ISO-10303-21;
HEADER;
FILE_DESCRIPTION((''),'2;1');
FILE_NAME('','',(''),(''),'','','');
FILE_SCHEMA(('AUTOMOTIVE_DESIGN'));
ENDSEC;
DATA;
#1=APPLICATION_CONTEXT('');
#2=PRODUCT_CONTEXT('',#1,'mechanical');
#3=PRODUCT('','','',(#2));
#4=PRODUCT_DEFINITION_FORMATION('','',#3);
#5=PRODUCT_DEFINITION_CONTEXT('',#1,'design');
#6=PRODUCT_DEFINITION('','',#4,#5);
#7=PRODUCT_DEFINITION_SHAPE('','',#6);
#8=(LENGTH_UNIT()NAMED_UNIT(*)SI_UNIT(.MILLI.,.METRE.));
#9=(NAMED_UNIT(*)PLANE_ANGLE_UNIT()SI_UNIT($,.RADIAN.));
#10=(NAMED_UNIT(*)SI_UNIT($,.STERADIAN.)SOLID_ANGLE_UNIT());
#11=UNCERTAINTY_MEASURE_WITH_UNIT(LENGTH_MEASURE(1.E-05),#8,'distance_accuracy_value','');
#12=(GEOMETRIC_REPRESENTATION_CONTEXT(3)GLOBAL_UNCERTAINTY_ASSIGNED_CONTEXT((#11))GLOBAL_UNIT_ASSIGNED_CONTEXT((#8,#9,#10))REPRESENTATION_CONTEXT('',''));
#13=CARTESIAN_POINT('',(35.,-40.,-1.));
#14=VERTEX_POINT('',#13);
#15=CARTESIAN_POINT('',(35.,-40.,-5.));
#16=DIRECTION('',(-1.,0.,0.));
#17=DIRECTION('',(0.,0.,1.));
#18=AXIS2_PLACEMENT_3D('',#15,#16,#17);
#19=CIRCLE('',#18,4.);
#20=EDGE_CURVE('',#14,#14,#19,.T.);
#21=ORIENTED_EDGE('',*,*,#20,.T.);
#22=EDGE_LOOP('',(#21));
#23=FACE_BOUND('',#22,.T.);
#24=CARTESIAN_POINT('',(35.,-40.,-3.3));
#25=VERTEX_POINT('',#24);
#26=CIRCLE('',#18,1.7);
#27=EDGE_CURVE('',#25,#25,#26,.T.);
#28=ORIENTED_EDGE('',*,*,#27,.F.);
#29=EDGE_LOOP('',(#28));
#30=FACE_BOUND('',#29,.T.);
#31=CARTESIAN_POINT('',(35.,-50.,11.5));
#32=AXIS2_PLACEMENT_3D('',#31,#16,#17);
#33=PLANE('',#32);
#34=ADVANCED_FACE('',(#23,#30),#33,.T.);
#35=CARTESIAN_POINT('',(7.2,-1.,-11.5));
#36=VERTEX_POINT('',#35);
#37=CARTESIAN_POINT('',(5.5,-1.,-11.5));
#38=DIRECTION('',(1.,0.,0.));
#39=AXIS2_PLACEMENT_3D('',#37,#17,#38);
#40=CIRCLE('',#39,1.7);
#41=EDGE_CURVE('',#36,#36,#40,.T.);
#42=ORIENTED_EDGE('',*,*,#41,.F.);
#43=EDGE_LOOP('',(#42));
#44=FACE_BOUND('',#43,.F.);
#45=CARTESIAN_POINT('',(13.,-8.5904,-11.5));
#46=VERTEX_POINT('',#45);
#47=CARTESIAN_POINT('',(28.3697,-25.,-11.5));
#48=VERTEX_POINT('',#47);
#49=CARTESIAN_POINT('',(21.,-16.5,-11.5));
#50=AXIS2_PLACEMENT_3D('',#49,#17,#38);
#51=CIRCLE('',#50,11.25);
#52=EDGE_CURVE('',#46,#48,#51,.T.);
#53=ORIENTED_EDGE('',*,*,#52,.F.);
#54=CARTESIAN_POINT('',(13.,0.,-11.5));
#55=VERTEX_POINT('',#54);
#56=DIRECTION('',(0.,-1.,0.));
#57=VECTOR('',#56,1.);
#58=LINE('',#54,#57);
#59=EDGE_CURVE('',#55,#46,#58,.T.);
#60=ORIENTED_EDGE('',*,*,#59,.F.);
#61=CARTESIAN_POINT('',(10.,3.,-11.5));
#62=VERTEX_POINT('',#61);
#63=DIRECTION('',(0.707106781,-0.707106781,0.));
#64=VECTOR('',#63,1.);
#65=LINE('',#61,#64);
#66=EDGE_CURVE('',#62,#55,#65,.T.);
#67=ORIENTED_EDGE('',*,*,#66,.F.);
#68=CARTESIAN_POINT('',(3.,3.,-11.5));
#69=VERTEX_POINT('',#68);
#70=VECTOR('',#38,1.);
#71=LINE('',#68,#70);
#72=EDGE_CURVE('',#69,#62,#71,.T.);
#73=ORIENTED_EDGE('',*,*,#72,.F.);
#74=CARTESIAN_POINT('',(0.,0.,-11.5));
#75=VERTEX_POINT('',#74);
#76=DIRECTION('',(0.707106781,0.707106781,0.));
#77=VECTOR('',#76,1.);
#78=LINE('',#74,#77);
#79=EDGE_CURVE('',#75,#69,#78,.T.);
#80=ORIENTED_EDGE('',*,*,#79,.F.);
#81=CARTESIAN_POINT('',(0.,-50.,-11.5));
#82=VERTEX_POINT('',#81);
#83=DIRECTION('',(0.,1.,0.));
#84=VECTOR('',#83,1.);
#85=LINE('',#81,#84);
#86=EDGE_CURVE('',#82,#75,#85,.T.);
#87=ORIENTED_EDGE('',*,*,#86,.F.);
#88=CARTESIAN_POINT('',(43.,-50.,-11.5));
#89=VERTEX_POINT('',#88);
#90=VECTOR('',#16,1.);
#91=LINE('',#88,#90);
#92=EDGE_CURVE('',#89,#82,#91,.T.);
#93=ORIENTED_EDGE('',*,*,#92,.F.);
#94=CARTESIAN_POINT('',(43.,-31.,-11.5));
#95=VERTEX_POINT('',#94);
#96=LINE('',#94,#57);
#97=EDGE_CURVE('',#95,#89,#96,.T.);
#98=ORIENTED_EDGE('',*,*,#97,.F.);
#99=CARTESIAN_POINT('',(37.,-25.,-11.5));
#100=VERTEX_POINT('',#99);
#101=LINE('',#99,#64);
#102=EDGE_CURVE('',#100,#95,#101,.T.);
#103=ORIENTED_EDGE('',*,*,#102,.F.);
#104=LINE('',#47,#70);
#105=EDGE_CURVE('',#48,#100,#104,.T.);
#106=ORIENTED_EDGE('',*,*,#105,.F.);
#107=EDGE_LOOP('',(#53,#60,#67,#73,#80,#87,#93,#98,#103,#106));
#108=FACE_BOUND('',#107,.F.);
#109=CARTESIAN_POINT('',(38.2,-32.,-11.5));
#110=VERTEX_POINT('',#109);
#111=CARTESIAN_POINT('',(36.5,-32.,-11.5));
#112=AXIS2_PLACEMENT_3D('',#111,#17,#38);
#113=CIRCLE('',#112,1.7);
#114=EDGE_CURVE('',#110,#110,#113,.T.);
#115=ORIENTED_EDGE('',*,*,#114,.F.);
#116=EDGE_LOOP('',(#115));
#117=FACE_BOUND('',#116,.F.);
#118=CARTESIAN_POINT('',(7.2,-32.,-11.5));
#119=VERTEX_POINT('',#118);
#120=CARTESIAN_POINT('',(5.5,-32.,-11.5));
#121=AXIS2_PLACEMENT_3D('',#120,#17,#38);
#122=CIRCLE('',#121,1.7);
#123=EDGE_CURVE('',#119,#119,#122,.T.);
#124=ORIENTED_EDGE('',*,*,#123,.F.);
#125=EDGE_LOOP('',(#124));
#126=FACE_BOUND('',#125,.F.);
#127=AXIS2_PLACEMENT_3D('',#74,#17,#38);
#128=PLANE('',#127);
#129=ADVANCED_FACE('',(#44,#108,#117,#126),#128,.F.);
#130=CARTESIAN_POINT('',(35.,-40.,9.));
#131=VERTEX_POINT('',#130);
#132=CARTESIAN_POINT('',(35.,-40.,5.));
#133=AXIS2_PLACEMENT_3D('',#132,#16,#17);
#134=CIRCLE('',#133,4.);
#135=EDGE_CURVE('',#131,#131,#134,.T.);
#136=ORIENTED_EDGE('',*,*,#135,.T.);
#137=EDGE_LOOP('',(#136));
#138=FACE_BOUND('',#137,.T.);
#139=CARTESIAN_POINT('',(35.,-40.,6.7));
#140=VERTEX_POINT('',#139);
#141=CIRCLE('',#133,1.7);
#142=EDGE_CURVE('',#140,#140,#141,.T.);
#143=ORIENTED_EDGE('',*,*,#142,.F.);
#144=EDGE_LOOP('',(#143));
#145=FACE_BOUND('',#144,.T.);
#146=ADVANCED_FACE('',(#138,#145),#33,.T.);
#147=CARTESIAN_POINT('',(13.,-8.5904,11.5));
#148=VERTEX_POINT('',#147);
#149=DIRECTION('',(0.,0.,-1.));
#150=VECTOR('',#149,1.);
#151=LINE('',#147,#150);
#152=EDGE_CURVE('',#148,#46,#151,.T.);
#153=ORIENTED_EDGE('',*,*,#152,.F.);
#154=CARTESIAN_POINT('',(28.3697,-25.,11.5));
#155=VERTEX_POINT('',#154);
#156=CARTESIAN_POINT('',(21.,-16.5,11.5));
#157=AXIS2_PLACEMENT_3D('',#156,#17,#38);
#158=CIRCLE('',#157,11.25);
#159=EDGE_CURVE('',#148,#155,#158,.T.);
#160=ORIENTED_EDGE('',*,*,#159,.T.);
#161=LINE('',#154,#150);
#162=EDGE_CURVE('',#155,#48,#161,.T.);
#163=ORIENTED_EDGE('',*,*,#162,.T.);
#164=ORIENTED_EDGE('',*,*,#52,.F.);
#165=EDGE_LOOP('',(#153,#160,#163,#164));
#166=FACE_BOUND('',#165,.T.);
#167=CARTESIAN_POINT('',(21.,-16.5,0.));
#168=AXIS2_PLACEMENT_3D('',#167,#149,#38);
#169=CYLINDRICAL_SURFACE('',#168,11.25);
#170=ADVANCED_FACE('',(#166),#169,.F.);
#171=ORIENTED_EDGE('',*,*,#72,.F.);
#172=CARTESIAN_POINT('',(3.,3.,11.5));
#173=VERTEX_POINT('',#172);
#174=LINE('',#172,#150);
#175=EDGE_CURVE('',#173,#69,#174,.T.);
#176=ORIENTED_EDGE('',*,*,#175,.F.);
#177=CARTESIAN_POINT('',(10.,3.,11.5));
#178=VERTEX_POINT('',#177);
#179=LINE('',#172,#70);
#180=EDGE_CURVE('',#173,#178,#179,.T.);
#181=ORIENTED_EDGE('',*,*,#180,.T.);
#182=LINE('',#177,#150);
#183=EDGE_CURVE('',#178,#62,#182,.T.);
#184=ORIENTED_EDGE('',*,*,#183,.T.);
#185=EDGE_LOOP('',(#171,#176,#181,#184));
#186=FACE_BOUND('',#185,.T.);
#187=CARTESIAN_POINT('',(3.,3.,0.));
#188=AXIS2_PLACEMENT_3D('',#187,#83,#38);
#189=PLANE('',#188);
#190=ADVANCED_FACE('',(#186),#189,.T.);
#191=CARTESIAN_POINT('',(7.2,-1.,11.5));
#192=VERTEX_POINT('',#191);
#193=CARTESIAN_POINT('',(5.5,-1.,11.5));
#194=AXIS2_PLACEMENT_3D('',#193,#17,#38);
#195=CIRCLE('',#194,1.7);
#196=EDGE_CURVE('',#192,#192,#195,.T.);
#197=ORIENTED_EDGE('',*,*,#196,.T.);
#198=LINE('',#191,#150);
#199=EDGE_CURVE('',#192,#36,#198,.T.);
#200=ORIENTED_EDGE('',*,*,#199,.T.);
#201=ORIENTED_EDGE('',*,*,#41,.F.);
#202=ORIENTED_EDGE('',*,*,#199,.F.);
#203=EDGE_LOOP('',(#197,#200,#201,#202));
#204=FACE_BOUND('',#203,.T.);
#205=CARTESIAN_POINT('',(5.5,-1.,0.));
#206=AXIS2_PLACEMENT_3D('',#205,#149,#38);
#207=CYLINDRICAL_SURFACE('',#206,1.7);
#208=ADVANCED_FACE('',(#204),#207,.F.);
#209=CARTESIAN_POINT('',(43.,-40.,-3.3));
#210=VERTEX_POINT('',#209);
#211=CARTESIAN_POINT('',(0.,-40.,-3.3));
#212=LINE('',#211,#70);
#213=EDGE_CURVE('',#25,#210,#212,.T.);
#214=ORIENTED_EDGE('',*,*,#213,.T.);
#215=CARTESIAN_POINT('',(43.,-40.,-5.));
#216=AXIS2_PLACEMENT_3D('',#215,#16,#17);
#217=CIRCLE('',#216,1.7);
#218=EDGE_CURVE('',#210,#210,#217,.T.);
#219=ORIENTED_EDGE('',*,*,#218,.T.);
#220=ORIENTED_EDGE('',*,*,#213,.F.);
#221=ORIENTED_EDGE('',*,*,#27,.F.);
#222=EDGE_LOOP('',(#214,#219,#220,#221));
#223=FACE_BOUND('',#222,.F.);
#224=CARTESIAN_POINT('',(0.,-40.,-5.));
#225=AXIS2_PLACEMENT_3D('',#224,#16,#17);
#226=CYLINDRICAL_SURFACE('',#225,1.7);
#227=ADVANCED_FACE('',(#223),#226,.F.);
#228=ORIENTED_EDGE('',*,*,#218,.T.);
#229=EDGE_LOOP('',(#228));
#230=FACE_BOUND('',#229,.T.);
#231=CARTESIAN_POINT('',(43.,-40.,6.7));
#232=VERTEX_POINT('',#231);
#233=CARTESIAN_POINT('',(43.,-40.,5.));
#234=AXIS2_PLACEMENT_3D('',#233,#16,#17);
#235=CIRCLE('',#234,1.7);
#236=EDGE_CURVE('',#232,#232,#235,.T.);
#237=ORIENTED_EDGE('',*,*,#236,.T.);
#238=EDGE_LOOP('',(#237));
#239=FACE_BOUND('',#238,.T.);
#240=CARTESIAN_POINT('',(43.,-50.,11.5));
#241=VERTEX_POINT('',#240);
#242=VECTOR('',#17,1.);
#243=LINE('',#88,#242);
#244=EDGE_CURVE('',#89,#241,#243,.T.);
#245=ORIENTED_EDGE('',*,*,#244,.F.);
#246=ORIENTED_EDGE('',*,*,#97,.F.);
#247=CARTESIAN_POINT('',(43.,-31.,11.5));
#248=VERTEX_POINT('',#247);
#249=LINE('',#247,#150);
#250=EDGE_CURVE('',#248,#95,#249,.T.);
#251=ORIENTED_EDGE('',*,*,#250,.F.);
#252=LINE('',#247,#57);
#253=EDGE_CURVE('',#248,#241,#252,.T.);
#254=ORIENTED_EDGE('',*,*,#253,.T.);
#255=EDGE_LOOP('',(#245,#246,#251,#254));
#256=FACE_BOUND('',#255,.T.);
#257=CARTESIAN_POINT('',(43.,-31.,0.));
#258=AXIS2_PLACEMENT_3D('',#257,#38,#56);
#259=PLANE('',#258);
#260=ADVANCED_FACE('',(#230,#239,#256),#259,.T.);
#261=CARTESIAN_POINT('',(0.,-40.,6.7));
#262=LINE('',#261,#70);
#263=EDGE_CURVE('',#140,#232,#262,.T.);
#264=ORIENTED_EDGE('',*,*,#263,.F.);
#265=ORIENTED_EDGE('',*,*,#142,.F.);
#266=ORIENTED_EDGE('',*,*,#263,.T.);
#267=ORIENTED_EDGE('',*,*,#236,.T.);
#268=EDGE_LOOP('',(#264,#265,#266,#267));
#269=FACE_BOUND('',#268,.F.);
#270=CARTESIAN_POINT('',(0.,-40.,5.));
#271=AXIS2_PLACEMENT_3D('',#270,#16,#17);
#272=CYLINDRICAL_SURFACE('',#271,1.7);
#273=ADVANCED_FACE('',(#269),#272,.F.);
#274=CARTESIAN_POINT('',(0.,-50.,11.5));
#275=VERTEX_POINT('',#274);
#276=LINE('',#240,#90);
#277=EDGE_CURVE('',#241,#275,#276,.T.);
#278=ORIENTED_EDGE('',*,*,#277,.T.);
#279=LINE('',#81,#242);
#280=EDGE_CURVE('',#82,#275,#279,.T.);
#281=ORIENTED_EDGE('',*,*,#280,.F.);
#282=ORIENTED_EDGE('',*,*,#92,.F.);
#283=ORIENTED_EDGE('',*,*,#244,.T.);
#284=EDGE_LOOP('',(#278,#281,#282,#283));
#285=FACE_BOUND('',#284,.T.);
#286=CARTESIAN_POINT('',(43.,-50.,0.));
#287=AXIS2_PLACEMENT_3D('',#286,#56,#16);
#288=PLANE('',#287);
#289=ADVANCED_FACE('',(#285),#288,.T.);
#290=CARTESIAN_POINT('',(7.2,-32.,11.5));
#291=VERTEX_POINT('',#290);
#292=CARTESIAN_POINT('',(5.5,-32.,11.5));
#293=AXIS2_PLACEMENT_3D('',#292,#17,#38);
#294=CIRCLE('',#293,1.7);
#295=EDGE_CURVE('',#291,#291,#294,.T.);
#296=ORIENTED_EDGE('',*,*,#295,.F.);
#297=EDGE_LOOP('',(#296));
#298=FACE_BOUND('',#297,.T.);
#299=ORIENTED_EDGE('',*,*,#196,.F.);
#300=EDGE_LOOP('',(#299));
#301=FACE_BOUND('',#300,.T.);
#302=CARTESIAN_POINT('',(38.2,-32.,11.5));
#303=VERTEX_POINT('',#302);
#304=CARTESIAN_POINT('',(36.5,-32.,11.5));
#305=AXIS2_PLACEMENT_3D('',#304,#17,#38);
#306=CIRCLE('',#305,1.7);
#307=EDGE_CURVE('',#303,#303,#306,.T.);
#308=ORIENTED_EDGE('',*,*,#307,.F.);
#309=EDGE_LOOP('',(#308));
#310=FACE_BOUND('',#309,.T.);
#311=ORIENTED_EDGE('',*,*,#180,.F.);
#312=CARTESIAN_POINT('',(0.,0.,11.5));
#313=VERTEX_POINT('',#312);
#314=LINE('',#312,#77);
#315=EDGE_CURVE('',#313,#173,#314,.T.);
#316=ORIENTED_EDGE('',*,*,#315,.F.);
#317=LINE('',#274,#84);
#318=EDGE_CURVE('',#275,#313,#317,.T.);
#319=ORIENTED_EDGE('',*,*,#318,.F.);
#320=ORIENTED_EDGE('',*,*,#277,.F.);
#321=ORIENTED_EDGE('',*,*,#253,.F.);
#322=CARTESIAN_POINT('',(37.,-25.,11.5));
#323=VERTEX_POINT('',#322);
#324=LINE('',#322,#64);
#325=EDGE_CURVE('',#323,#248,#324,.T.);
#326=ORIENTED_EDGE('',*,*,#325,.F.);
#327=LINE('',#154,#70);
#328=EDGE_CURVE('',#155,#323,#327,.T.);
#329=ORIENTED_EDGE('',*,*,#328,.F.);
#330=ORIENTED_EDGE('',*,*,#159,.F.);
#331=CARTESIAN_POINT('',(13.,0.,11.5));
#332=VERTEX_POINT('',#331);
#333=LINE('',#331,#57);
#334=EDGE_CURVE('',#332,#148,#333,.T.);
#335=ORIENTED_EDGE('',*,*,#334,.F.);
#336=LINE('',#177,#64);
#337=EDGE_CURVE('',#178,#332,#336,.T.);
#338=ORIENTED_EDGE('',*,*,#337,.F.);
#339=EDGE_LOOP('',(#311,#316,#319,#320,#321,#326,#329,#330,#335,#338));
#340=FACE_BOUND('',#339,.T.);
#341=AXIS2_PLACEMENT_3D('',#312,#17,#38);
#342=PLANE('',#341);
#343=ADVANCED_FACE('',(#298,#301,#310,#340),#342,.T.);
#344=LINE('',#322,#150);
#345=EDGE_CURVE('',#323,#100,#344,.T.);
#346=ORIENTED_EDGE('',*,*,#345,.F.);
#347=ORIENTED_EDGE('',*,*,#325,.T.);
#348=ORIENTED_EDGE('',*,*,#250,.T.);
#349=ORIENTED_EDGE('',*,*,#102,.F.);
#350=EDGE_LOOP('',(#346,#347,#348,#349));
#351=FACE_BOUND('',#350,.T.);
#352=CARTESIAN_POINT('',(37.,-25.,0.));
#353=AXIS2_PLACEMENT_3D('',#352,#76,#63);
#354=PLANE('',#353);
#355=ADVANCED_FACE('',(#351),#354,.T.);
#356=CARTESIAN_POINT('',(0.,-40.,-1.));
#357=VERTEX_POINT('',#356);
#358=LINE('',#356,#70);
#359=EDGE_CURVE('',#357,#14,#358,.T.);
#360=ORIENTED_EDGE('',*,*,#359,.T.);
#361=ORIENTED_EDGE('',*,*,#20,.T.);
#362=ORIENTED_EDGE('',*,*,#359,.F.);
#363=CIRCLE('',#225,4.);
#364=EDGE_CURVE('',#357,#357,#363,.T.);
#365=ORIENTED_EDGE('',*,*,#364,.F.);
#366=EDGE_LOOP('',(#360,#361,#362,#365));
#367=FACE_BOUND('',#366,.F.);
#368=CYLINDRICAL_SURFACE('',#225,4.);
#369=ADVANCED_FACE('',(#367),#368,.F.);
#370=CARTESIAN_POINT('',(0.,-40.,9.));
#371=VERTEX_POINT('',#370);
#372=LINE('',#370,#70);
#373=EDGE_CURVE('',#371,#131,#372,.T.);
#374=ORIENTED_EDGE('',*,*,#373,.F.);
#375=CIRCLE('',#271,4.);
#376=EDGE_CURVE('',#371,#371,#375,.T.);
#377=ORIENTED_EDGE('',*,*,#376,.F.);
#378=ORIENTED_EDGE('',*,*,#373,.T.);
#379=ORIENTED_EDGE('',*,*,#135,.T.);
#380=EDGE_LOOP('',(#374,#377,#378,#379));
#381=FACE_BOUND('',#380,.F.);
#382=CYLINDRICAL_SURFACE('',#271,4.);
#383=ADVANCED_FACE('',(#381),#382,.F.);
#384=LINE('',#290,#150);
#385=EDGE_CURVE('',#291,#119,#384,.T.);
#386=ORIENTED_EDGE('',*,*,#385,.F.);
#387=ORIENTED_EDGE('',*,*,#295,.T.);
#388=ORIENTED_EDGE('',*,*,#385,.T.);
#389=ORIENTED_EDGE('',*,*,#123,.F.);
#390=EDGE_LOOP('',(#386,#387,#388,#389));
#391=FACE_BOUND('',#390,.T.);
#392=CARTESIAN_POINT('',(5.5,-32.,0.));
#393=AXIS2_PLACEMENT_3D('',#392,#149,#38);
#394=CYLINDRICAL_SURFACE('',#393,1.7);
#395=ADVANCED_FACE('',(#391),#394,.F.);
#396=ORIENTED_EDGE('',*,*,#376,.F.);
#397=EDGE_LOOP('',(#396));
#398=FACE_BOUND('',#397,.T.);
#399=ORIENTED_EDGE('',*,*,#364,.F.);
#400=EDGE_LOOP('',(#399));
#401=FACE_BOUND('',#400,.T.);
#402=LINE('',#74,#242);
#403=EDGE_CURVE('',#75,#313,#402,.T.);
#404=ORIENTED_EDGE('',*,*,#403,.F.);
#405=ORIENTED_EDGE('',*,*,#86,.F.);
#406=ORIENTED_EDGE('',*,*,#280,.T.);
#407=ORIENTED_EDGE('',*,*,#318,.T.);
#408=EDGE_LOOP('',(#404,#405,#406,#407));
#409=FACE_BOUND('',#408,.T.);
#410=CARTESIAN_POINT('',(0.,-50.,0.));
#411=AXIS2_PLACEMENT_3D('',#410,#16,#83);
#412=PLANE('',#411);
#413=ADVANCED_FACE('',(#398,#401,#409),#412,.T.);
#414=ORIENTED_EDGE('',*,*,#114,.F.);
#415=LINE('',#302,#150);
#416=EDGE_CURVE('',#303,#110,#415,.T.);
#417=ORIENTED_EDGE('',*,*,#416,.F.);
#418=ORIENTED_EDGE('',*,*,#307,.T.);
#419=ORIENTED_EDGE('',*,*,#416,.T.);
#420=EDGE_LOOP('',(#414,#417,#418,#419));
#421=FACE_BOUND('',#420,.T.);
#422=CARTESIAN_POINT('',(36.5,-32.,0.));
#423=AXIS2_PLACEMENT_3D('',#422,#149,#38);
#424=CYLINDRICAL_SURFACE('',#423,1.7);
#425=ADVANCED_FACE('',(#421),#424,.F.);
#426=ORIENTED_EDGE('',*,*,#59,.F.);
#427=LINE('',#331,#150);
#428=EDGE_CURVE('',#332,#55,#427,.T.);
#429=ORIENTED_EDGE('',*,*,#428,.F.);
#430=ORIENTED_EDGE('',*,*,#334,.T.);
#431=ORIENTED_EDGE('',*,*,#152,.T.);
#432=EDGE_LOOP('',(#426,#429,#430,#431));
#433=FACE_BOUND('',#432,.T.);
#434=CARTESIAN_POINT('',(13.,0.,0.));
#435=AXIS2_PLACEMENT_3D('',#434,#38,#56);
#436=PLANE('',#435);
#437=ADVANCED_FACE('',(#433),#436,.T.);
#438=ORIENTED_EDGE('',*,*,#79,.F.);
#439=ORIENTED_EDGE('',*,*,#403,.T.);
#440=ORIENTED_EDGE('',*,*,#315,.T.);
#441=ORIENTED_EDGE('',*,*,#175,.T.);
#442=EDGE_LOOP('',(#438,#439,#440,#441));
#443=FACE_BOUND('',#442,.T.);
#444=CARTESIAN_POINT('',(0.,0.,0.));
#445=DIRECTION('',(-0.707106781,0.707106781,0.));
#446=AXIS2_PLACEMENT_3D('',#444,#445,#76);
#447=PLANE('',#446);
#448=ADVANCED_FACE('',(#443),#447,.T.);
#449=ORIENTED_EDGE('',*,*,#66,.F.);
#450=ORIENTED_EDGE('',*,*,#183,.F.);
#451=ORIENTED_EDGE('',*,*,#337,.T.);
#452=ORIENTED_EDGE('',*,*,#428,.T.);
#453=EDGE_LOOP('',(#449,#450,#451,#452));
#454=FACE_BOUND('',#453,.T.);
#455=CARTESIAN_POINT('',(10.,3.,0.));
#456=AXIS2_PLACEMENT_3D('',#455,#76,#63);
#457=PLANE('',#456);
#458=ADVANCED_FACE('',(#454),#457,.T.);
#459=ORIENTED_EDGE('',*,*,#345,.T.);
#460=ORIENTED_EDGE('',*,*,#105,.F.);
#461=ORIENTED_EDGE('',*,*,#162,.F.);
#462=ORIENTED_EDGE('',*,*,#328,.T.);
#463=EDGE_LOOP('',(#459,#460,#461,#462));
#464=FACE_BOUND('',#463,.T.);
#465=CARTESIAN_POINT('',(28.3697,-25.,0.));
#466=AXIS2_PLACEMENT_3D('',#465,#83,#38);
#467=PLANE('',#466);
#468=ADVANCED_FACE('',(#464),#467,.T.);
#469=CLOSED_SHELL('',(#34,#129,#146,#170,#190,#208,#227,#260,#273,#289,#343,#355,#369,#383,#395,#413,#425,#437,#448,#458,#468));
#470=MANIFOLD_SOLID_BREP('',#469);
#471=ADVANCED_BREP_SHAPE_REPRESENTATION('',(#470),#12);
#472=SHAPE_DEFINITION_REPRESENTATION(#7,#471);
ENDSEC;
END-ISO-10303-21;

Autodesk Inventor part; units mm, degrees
ref_plane "YZ Plane" through (0, 0, 0) normal (1, 0, 0) x (0, 1, 0)
ref_plane "XZ Plane" through (0, 0, 0) normal (0, 1, 0) x (-1, 0, 0)
ref_plane "XY Plane" through (0, 0, 0) normal (0, 0, 1) x (1, 0, 0)
sketch "Sketch1" plane through (0, 0, 0) normal (0, 0, 1) x (1, 0, 0)
  line L0 (0, 0) -> (3, 3)
  line L1 (3, 3) -> (10, 3)
  line L2 (10, 3) -> (13, 0)
  line L3 (13, 0) -> (13, -8.5904)
  circle A0 centre (21, -16.5) radius 11.25
  line L4 (28.3697, -25) -> (37, -25)
  line L5 (37, -25) -> (43, -31)
  line L6 (43, -31) -> (43, -50)
  line L7 (43, -50) -> (0, -50)
  line L8 (0, -50) -> (0, 0)
  circle A1 centre (5.5, -1) radius 1.7
  circle A2 centre (5.5, -32) radius 1.7
  circle A3 centre (36.5, -32) radius 1.7
  line L9 (5.5, -32) -> (5.5, -1) construction
  line L10 (5.5, -32) -> (36.5, -32) construction
  dimension "d0" = 16.5
  dimension "d1" = 21
  dimension "d2" = 50
  dimension "d3" = 22.5
  dimension "d4" = 8
  dimension "d5" = 45
  dimension "d6" = 3
  dimension "d7" = 8.5
  dimension "d8" = 6
  dimension "d11" = 22
  dimension "d14" = 3.4
  dimension "d15" = 15.5
  dimension "d16" = 31
  dimension "d17" = 31
  dimension "d18" = 15.5
extrude "Extrusion1" add sketch "Sketch1" along normal mid plane 23 contours L0 L1 L2 L3 A0 L4 L5 L6 L7 L8
sketch "Sketch2" plane through (0, -50, 11.5) normal (-1, 0, 0) x (0, 0, 1)
  line L0 (-23, 53) -> (0, 53) construction
  line L1 (-11.5, 53) -> (-11.5, 0) construction
  line L2 (-23, 0) -> (0, 0) construction
  circle A0 centre (-16.5, 10) radius 1.7
  circle A1 centre (-6.5, 10) radius 1.7
  point P0 (-11.5, 50)
  dimension "d22" = 10
  dimension "d23" = 10
  dimension "d24" = 3.4
extrude "Extrusion2" cut sketch "Sketch2" against normal through all
sketch "Sketch3" plane through (0, -50, 11.5) normal (-1, 0, 0) x (0, 0, 1)
  circle A0 centre (-16.5, 10) radius 1.7 projected
  circle A1 centre (-16.5, 10) radius 4
  circle A2 centre (-6.5, 10) radius 1.7 projected
  circle A3 centre (-6.5, 10) radius 4
  point P0 (-11.5, 50)
  dimension "d27" = 8
  dimension "d28" = 8
extrude "Extrusion3" cut sketch "Sketch3" against normal blind 35 contours A0 | A1 | A2 | A3
equation "\"d17\" = d16"
properties part number "y-stepper-mount"
